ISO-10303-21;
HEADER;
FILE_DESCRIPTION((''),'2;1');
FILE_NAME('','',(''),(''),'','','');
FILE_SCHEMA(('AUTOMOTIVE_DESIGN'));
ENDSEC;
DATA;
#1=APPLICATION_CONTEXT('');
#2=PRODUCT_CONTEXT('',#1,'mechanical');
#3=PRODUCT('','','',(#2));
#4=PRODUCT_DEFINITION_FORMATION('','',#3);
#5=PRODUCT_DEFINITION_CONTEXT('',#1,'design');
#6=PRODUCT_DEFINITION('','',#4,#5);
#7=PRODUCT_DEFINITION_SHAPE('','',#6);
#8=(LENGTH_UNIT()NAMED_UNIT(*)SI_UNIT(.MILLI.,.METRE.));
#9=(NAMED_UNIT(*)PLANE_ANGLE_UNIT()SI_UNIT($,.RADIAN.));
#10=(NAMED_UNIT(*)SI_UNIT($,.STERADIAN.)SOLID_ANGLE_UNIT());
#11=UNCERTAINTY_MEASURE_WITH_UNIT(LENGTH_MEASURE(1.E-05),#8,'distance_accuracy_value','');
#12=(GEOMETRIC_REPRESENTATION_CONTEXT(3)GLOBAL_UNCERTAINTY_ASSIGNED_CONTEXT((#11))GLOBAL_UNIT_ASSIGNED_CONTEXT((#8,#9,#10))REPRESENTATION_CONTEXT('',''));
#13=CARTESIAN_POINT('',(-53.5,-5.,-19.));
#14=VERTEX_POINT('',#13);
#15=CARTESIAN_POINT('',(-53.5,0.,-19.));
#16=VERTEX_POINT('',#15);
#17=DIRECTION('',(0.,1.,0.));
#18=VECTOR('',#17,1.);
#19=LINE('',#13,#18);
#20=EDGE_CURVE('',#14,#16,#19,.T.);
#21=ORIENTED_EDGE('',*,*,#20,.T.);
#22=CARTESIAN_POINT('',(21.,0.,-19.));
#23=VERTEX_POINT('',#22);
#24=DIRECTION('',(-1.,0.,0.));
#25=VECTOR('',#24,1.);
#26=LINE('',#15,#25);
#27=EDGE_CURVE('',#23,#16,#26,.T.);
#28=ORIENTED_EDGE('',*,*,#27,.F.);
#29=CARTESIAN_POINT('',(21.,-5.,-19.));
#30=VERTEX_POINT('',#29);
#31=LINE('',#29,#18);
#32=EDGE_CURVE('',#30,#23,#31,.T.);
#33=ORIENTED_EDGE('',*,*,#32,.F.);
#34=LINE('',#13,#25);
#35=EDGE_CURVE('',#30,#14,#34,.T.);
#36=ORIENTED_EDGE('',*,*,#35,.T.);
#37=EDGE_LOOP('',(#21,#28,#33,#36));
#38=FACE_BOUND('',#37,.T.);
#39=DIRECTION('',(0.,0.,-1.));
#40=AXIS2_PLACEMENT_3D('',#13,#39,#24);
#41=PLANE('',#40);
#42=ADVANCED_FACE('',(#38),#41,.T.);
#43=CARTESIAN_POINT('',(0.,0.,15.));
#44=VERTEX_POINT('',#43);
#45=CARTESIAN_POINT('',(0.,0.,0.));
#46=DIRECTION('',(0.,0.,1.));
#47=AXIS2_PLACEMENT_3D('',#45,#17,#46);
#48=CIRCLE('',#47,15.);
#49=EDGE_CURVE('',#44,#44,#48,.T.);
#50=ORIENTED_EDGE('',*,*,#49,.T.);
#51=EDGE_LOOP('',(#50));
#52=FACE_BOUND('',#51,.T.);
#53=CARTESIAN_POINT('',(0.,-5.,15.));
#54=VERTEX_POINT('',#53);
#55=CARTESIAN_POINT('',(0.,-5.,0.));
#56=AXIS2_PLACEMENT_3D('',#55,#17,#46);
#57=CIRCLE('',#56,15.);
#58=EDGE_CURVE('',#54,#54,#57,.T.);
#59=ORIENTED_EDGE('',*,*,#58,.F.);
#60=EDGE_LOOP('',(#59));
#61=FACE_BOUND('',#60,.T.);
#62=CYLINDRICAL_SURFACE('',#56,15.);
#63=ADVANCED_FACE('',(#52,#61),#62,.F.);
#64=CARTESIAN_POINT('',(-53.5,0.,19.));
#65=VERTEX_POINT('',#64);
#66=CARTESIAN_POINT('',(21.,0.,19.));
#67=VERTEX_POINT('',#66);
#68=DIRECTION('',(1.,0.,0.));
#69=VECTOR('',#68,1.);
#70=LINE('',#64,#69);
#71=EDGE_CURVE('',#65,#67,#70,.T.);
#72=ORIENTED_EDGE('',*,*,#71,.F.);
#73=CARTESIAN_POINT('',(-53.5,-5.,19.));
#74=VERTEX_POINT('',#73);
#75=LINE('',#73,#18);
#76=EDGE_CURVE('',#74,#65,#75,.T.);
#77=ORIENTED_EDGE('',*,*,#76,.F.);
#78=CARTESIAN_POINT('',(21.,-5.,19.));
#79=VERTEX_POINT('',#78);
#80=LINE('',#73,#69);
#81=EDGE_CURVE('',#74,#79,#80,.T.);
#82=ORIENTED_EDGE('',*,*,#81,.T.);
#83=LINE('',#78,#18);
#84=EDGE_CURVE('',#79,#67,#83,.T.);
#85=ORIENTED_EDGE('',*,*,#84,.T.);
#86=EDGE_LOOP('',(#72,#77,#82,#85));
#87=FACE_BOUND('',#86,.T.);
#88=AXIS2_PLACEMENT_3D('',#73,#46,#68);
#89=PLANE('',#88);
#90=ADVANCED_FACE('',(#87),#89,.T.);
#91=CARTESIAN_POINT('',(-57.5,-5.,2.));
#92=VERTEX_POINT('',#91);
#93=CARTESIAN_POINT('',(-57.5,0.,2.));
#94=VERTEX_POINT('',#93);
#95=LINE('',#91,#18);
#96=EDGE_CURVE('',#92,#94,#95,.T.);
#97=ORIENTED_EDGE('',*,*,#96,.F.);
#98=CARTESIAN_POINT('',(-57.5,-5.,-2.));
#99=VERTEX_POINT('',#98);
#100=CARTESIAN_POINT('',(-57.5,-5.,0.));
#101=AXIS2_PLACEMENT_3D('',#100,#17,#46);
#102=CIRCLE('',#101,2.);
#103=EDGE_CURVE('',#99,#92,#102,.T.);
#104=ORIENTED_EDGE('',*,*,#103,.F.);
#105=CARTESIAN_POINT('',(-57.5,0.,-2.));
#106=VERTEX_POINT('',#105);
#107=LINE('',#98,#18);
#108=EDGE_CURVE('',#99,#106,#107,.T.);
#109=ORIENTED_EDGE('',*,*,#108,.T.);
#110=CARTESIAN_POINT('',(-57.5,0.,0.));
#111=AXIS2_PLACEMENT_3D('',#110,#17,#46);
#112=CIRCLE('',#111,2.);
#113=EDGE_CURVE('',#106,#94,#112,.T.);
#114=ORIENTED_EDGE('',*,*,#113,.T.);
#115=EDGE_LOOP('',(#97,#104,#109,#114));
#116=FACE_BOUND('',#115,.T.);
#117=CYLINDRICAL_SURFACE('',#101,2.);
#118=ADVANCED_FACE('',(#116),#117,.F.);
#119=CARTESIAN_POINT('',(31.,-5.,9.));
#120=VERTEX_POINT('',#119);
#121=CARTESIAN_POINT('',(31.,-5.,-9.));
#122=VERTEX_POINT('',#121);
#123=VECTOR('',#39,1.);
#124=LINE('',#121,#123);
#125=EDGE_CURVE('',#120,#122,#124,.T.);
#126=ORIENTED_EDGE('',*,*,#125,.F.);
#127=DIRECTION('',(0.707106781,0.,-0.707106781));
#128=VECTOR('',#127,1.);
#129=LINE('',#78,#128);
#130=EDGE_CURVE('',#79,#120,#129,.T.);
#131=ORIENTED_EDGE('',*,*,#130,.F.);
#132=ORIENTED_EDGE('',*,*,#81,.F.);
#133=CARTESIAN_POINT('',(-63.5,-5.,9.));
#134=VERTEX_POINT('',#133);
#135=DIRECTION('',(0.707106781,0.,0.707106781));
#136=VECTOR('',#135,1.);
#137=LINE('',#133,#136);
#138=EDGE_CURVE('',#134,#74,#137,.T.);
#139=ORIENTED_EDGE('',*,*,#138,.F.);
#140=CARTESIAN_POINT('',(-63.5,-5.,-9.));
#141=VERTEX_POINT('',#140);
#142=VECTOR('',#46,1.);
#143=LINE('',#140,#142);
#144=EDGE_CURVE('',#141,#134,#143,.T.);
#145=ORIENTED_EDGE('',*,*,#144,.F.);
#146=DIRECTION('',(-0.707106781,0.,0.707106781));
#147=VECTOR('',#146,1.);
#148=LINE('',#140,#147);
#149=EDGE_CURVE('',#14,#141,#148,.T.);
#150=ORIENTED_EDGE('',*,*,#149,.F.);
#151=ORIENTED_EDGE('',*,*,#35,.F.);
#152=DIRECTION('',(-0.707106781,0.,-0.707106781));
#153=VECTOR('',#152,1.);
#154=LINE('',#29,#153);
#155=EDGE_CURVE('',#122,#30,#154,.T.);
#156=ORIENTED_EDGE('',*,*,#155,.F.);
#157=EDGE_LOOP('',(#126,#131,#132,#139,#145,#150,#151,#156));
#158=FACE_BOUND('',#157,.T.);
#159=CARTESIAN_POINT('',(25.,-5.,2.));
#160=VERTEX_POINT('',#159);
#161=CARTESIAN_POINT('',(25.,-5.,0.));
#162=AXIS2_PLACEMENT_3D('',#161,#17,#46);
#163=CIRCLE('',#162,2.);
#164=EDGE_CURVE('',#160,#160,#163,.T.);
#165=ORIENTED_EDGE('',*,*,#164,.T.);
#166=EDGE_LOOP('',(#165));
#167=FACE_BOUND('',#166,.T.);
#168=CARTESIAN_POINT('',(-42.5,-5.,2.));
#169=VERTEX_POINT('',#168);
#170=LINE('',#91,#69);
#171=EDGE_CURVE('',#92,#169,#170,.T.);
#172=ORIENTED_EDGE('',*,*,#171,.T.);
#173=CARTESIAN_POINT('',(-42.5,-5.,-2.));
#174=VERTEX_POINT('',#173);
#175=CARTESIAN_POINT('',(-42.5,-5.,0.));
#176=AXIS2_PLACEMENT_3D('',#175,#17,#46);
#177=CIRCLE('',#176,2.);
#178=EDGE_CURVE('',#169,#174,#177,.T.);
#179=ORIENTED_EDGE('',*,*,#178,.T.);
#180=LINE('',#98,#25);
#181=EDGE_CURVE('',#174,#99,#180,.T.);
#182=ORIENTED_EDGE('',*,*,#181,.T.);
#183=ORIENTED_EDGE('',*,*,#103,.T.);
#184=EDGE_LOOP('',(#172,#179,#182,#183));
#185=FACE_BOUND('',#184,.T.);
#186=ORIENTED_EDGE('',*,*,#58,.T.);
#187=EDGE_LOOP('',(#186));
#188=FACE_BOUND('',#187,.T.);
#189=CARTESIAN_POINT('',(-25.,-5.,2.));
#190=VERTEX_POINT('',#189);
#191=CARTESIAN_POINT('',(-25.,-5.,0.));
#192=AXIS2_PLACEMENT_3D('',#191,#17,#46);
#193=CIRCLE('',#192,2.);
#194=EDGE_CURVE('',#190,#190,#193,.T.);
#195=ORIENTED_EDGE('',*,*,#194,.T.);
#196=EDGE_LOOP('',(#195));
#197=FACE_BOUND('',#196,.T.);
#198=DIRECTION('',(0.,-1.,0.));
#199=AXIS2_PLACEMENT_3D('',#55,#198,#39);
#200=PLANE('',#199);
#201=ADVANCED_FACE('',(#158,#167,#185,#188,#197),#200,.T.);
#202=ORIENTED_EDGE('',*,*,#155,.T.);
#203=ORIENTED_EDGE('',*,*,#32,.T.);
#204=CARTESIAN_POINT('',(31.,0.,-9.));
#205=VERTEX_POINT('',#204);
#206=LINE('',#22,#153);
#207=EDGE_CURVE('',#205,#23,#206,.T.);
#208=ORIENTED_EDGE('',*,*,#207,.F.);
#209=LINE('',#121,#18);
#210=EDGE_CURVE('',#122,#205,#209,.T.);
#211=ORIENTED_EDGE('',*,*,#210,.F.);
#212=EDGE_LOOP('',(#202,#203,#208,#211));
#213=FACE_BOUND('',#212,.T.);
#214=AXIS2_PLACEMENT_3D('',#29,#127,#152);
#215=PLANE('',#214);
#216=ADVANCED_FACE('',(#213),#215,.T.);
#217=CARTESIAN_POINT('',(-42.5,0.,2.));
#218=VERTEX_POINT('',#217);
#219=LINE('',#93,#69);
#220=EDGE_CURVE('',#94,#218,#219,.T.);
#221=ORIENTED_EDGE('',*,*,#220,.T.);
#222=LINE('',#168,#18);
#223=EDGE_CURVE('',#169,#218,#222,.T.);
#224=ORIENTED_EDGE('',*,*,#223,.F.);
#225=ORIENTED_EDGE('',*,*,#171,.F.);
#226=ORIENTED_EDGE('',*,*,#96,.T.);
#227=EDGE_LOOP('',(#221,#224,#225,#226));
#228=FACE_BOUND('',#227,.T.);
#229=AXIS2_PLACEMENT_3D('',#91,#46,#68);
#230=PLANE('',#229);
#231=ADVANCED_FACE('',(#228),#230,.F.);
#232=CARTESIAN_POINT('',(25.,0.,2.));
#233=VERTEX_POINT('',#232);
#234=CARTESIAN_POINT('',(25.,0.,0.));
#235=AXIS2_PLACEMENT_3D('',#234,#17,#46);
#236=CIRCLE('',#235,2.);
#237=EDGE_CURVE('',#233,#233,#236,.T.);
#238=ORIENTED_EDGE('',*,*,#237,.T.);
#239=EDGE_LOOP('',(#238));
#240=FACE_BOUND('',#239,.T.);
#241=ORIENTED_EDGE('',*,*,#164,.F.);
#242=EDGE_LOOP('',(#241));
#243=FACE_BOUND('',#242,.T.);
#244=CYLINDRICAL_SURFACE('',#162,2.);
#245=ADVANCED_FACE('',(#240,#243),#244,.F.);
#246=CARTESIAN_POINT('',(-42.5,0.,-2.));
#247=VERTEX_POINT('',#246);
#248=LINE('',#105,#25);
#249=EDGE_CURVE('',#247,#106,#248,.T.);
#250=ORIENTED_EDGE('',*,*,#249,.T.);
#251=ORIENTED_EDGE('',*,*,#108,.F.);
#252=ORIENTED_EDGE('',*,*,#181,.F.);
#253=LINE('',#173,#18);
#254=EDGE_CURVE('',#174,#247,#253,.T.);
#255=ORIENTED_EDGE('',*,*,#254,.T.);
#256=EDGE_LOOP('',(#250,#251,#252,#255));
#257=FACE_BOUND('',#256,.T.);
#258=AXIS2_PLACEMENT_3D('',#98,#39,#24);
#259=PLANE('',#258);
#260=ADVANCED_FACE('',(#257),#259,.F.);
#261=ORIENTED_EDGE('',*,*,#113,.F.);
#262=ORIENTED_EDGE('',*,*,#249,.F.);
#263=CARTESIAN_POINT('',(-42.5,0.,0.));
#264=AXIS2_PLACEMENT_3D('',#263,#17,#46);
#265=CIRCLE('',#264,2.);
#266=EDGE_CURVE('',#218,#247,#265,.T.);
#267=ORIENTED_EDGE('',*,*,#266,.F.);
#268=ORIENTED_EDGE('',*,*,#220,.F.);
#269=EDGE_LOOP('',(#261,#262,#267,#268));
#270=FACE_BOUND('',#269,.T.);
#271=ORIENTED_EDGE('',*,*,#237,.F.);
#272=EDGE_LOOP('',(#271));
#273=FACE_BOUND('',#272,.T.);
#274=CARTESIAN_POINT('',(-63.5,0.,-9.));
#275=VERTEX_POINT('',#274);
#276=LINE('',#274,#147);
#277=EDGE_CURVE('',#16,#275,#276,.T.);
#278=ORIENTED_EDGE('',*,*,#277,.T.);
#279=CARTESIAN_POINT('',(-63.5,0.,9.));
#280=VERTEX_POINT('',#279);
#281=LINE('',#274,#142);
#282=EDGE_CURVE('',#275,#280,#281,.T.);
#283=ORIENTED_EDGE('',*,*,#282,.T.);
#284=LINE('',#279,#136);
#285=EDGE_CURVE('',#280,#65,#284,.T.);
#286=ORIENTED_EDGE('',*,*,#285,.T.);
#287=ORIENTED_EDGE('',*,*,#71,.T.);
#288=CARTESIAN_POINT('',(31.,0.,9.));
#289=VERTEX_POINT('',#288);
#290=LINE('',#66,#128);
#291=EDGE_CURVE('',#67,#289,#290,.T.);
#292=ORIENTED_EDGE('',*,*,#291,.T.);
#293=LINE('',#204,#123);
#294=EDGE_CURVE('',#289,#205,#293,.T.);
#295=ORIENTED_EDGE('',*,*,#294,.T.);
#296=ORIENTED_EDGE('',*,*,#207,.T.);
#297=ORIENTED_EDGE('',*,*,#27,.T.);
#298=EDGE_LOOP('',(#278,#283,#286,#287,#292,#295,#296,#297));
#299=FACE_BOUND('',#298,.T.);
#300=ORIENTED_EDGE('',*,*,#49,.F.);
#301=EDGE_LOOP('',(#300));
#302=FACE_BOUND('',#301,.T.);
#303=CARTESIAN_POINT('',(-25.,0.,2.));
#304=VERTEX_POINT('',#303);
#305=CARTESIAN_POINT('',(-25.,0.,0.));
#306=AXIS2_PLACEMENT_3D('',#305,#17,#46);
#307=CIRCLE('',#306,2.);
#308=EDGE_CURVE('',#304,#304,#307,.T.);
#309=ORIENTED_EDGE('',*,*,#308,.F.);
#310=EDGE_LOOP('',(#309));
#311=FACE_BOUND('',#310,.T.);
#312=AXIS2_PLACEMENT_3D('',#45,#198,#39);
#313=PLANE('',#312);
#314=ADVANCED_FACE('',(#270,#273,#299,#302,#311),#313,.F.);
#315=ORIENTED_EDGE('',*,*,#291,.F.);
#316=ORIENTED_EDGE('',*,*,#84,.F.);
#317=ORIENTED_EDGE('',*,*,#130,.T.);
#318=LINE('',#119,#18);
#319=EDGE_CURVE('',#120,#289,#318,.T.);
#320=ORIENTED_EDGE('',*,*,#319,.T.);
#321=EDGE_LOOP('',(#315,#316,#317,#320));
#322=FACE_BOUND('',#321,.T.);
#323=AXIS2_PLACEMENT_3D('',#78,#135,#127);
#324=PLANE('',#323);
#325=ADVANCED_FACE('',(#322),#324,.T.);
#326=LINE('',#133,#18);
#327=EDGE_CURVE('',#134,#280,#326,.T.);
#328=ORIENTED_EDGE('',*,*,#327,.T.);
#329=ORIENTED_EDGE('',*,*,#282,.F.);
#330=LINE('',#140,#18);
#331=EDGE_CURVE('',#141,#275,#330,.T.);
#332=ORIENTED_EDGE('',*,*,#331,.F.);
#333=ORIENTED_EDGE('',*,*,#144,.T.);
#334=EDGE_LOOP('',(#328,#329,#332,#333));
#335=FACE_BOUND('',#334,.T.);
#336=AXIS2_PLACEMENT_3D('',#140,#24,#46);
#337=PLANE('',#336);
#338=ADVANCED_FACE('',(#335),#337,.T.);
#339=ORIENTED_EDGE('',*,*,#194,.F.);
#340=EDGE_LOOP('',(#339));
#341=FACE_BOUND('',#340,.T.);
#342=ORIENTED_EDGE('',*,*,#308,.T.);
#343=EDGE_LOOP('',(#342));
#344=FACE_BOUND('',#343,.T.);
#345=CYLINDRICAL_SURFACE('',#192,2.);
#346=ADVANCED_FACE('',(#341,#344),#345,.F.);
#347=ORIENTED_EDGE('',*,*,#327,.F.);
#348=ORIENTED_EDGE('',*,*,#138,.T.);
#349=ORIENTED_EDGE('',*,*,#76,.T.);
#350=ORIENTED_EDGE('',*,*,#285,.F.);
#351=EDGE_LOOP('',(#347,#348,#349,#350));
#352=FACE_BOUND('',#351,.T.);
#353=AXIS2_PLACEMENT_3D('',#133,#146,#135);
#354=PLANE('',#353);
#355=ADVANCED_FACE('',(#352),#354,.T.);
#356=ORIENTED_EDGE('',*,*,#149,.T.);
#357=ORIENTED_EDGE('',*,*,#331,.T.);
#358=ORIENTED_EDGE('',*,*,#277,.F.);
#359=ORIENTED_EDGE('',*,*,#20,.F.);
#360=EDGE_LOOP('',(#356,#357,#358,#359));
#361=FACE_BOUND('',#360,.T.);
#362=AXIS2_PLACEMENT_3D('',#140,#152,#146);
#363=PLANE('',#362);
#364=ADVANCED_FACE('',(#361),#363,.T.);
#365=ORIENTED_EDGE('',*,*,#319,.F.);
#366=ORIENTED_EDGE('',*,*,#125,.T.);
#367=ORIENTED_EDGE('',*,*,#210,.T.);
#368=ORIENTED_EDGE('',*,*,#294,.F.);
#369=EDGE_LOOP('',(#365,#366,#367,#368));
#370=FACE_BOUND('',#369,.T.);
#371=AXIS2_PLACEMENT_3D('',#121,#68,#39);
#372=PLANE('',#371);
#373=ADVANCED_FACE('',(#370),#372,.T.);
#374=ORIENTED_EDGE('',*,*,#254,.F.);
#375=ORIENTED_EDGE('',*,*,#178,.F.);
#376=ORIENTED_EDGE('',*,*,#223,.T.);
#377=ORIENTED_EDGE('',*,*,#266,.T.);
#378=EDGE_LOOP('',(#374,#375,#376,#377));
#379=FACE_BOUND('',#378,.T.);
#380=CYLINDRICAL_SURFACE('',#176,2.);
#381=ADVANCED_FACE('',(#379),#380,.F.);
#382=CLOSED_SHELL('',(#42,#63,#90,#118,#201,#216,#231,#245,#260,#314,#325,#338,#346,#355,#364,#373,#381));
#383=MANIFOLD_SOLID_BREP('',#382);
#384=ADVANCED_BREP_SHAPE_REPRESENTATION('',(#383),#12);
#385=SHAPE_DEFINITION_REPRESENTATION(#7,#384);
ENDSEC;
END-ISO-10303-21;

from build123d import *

# Parameters (mm, degrees)
SKETCH1_R           = 2
SKETCH1_R_2         = 15
BOSS_EXTRUDE1_DEPTH = 5


with BuildPart() as part:
    # Sketch1 → Boss-Extrude1 (new body)
    with BuildSketch(Plane(origin=(0, 0, 0), x_dir=(1, 0, 0), z_dir=(0, 1, 0))):
        Polygon((-63.5, 9), (-53.5, 19), (21, 19), (31, 9), (31, -9), (21, -19), (-53.5, -19), (-63.5, -9), align=None)
        with Locations(Location((-25, 0, 0), (0, 0, 270))):
            Circle(SKETCH1_R, mode=Mode.SUBTRACT)
        with Locations(Location((25, 0, 0), (0, 0, 270))):
            Circle(SKETCH1_R, mode=Mode.SUBTRACT)
        with Locations(Location((0, 0, 0), (0, 0, 270))):
            Circle(SKETCH1_R_2, mode=Mode.SUBTRACT)
        with BuildLine():
            Line((-57.5, 2), (-42.5, 2))
            ThreePointArc((-42.5, 2), (-40.5, 0), (-42.5, -2))
            Line((-42.5, -2), (-57.5, -2))
            ThreePointArc((-57.5, -2), (-59.5, 0), (-57.5, 2))
        make_face(mode=Mode.SUBTRACT)
    extrude(amount=-BOSS_EXTRUDE1_DEPTH)


solid = part.part
